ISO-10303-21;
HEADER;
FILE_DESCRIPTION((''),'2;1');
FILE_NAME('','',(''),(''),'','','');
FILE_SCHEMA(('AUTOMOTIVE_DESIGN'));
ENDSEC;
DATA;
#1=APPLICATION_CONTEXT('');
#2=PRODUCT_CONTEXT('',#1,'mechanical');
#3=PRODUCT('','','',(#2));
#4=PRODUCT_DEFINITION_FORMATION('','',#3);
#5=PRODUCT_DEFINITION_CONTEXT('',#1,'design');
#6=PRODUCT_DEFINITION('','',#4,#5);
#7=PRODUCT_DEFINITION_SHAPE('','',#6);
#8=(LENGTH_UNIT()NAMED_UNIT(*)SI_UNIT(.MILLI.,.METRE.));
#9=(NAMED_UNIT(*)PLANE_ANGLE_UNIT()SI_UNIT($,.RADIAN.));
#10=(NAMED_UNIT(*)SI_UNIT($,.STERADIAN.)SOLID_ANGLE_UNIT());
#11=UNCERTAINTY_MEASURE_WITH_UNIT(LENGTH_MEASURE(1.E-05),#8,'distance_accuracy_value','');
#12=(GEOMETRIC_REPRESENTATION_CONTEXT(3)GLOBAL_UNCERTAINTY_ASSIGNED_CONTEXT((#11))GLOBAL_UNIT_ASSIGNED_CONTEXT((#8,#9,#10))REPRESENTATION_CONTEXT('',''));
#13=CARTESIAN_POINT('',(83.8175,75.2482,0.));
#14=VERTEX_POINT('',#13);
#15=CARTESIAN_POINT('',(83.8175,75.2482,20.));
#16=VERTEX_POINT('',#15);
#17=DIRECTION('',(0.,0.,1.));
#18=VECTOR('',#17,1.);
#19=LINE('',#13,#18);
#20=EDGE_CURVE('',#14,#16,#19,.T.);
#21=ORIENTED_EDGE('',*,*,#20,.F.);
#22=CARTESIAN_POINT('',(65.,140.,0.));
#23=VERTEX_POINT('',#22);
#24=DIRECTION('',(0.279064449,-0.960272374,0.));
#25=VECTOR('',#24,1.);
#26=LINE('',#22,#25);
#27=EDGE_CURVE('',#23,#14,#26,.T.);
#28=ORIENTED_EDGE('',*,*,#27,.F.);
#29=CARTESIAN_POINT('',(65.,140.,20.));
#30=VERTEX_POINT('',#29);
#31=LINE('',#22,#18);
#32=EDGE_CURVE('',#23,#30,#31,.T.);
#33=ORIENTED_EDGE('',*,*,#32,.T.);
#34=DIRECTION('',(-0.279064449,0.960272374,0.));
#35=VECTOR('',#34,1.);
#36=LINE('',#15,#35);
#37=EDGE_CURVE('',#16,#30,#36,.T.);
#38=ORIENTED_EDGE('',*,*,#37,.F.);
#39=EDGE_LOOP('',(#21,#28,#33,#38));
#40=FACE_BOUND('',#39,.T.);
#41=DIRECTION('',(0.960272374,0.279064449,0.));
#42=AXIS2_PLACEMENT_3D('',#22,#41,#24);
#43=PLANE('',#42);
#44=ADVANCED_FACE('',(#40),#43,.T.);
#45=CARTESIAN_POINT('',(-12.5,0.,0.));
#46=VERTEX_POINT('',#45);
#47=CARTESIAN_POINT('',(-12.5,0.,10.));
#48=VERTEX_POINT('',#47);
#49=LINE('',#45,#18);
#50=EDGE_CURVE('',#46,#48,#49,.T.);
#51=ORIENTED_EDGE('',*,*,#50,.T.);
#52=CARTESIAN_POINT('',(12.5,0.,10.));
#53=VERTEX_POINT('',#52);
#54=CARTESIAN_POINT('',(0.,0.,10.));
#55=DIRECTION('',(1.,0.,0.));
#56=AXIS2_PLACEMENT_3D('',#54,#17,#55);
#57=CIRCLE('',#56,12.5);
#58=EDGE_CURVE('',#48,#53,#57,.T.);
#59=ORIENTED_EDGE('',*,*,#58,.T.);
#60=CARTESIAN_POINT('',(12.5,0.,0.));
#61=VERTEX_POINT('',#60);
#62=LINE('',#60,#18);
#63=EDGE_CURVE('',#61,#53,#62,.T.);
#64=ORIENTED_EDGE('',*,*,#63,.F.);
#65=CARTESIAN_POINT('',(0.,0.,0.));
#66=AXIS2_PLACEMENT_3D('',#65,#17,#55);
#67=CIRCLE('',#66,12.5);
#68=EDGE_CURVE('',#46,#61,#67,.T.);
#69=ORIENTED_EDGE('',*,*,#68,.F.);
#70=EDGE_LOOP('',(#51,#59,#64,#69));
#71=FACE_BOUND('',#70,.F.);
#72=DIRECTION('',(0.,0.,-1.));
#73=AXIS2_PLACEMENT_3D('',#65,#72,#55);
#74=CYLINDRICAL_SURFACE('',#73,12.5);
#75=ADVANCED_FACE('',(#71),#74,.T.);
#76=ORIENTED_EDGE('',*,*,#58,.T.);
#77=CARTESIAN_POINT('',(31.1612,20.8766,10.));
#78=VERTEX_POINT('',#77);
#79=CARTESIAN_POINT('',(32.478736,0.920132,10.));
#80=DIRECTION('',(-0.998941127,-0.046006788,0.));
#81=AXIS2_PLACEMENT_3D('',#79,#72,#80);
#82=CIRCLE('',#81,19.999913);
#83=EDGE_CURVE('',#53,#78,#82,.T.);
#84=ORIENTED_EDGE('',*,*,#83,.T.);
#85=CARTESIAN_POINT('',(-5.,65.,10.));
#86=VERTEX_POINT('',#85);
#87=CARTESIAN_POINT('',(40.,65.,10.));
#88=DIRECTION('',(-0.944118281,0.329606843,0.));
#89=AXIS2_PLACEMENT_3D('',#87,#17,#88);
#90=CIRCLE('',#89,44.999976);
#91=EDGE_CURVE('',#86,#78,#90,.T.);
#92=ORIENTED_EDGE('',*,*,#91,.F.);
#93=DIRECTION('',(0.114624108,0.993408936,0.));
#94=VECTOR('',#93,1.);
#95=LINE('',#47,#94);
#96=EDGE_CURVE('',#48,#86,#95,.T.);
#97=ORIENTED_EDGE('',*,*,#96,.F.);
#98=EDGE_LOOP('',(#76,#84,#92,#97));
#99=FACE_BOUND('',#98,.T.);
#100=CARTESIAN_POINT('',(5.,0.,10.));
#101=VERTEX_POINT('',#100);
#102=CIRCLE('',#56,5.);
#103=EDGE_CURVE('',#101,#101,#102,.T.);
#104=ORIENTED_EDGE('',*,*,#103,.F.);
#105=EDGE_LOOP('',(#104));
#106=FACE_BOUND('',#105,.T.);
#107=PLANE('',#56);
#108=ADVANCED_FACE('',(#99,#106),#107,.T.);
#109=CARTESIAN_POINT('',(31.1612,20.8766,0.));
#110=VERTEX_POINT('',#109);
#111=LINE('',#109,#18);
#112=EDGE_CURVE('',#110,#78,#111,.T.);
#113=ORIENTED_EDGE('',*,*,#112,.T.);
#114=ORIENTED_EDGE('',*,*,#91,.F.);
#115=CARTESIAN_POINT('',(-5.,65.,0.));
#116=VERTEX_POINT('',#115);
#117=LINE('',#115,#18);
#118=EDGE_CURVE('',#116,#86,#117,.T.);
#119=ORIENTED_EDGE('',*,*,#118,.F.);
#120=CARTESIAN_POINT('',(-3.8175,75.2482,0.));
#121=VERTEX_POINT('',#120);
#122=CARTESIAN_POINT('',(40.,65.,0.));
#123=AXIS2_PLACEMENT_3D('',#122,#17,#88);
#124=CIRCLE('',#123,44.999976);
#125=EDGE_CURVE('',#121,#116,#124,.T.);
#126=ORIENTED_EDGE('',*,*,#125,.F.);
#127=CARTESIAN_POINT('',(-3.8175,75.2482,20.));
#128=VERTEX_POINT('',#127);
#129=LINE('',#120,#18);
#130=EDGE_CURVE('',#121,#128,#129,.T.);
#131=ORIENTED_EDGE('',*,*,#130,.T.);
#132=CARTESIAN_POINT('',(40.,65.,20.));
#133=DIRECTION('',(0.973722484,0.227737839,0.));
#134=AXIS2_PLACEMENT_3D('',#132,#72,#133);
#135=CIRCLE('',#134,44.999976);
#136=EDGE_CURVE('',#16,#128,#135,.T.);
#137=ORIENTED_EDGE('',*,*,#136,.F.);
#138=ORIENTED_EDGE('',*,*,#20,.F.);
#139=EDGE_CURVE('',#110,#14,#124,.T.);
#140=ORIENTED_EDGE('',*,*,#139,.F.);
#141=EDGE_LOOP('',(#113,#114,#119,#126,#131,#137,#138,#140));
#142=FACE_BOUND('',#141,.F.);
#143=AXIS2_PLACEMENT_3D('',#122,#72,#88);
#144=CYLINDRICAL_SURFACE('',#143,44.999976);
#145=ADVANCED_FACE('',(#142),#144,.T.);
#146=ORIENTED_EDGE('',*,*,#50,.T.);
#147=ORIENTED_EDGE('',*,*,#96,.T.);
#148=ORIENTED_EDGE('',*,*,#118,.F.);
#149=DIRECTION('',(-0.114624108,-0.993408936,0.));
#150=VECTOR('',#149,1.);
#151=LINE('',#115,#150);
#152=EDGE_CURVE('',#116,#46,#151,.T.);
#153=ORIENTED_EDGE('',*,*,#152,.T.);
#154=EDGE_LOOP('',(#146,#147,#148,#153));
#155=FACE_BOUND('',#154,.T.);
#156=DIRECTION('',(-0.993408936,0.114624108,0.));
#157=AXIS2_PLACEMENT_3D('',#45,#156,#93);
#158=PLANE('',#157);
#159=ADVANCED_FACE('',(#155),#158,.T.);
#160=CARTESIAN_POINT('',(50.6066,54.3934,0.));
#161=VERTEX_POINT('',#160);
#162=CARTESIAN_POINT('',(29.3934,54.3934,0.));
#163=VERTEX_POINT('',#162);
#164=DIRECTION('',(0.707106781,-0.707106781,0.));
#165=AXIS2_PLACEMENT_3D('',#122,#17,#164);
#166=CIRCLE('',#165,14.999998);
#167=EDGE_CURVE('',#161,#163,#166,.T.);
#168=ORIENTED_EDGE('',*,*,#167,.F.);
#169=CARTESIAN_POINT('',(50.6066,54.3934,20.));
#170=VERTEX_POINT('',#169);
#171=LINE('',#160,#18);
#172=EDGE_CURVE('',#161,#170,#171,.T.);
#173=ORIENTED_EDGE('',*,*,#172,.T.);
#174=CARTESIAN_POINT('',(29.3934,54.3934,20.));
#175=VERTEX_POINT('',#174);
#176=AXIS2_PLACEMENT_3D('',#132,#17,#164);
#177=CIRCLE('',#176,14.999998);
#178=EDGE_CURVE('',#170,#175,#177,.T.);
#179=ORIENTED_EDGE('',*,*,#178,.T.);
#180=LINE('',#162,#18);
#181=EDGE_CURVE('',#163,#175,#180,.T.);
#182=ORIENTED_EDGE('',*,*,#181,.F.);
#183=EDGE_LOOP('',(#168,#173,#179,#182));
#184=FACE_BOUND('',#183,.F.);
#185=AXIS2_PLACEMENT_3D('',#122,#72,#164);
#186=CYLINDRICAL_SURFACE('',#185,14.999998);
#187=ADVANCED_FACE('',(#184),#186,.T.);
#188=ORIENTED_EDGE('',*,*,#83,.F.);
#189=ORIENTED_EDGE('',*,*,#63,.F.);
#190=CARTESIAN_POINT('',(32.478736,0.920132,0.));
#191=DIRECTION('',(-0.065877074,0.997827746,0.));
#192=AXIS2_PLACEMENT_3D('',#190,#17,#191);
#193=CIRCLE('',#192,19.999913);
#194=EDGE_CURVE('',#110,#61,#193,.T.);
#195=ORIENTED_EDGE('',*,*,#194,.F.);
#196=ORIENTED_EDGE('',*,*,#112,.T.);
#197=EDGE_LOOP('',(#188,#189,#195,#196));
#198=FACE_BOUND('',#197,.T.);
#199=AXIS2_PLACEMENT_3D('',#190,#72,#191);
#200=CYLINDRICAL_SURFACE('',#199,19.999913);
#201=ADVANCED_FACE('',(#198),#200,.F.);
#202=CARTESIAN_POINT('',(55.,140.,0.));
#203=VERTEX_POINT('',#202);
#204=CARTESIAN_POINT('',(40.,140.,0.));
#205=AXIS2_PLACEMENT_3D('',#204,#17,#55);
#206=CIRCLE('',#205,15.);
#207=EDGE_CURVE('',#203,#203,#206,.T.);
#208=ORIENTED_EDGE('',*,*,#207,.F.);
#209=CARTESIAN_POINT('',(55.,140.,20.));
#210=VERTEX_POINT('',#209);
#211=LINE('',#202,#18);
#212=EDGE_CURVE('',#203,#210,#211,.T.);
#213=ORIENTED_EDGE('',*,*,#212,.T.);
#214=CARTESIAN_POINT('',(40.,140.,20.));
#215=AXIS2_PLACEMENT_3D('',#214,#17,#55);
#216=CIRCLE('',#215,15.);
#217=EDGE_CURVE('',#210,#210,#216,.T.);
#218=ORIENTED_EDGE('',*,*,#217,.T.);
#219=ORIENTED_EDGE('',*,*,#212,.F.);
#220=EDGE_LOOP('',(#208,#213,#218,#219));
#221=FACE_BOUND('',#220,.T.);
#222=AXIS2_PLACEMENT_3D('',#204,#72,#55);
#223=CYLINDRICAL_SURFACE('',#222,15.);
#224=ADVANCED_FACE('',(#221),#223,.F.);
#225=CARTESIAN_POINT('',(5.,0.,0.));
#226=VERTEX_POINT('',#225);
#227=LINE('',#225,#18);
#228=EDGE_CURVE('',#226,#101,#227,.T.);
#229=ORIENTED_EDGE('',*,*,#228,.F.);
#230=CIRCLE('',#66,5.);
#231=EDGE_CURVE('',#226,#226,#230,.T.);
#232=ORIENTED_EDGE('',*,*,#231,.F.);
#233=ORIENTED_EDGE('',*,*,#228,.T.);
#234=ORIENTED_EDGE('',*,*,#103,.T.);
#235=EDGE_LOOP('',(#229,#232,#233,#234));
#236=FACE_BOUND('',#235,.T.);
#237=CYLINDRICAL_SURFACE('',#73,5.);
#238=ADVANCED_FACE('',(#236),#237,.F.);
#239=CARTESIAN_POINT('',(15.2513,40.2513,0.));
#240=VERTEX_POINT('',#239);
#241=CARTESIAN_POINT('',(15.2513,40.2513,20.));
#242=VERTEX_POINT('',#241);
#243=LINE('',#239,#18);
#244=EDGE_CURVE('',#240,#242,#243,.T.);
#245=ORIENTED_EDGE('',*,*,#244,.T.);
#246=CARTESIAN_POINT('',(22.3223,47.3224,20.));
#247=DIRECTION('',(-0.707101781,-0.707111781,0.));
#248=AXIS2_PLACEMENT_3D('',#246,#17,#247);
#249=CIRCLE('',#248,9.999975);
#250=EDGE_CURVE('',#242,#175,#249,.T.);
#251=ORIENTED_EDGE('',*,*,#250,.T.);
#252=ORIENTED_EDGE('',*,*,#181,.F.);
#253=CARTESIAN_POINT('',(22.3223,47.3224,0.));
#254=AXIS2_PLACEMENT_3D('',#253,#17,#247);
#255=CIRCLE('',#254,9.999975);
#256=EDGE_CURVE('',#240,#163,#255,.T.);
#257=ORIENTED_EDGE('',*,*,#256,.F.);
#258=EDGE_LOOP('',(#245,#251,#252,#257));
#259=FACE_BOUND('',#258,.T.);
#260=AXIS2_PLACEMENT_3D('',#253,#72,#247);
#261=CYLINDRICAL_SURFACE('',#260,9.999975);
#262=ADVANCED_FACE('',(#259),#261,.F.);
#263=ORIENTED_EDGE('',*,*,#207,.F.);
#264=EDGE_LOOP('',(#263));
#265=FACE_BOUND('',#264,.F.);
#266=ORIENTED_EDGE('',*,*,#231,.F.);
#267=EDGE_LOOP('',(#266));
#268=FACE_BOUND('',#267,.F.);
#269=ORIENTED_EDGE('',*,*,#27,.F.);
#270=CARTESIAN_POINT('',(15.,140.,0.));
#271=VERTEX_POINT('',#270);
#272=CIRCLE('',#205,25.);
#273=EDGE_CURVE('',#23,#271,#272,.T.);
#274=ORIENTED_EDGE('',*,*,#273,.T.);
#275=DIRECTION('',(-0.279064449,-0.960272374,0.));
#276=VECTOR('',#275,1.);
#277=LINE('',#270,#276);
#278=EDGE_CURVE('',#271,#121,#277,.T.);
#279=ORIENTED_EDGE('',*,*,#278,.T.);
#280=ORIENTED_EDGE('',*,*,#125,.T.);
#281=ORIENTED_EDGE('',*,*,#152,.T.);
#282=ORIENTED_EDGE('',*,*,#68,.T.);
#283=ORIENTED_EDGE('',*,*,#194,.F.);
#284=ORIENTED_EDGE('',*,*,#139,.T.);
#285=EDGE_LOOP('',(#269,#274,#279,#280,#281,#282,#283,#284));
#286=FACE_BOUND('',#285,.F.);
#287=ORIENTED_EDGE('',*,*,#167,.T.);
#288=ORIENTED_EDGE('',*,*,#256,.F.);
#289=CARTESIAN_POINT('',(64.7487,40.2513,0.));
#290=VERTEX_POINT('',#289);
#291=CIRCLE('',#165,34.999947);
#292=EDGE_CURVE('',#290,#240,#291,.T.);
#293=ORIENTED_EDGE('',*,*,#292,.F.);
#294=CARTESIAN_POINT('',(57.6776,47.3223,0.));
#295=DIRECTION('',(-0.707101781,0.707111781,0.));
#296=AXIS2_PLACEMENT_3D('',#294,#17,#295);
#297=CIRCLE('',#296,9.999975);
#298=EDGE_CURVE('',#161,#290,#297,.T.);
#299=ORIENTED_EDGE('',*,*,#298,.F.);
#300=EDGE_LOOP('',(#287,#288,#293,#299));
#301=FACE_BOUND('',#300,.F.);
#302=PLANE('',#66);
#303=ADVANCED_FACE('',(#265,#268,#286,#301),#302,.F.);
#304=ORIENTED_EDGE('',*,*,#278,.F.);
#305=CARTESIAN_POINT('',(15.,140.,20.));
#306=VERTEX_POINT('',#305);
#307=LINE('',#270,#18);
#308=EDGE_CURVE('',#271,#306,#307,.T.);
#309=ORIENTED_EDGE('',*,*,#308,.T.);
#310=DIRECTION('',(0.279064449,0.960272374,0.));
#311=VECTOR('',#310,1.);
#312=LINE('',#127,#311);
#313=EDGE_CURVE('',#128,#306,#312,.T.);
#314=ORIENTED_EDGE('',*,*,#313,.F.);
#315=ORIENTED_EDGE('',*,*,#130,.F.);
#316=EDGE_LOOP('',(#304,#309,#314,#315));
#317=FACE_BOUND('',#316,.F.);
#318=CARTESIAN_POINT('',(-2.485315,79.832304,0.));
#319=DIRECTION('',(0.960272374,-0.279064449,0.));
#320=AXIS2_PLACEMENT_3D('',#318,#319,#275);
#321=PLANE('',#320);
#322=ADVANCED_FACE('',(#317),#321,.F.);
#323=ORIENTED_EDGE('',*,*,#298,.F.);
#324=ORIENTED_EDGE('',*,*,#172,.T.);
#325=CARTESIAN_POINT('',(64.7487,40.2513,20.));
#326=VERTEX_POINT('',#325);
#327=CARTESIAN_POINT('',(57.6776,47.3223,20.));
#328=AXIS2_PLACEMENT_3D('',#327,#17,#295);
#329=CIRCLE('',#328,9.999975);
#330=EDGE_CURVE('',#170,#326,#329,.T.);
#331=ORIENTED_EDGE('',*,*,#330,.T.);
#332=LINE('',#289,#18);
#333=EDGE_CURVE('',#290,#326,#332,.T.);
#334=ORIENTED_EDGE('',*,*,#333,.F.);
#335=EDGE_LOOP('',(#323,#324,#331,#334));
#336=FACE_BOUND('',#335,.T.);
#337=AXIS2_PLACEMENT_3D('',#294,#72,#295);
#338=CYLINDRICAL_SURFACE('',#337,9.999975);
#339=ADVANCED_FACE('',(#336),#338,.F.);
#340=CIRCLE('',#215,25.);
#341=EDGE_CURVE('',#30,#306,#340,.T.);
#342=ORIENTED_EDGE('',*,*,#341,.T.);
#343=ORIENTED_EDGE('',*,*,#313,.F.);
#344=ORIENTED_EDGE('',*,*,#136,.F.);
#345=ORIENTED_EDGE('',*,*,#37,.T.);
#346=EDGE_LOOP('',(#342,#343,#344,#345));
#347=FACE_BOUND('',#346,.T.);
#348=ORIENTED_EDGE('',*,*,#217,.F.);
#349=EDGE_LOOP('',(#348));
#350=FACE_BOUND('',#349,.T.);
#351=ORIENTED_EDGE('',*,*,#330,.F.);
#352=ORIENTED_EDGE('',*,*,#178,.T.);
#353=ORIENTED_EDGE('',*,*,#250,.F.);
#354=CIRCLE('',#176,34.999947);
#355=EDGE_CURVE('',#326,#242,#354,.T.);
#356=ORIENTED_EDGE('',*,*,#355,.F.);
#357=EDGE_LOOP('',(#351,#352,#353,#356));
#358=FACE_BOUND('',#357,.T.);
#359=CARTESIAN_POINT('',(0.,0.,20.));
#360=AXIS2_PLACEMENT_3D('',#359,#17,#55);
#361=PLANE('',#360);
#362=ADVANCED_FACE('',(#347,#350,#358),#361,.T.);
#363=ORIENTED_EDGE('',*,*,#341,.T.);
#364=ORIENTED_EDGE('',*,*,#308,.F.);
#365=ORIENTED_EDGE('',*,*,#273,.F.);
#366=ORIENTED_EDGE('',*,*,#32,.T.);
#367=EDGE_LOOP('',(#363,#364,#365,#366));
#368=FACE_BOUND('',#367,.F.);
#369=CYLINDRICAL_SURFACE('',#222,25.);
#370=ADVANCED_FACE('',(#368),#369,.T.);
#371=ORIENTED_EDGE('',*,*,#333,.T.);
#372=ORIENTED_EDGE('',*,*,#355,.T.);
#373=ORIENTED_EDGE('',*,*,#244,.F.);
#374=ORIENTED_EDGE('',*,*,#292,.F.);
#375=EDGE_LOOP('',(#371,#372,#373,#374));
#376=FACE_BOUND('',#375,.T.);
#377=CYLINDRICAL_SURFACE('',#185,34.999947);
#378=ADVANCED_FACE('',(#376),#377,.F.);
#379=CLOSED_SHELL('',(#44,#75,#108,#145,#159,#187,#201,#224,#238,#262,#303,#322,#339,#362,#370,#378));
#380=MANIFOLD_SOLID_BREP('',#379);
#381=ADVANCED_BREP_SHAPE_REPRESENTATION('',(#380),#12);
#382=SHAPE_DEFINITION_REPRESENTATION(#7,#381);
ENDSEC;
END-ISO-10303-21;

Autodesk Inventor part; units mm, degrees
ref_plane "YZ Plane" through (0, 0, 0) normal (1, 0, 0) x (0, 1, 0)
ref_plane "XZ Plane" through (0, 0, 0) normal (0, 1, 0) x (-1, 0, 0)
ref_plane "XY Plane" through (0, 0, 0) normal (0, 0, 1) x (1, 0, 0)
sketch "Эскиз1" plane through (0, 0, 0) normal (0, 0, 1) x (1, 0, 0)
  circle A0 centre (0, 0) radius 5
  circle A1 centre (0, 0) radius 12.5
  arc A2 (-2.4853, 79.8323) -> (82.4853, 79.8323) centre (40, 65) ccw
  arc A3 (57.6777, 47.3223) -> (22.3223, 47.3223) centre (40, 65) ccw construction
  arc A4 (64.7487, 40.2513) -> (15.2513, 40.2513) centre (40, 65) ccw
  arc A5 (50.6066, 54.3934) -> (29.3934, 54.3934) centre (40, 65) ccw
  arc A6 (50.6066, 54.3934) -> (64.7487, 40.2513) centre (57.6777, 47.3223) ccw
  arc A7 (15.2513, 40.2513) -> (29.3934, 54.3934) centre (22.3223, 47.3223) ccw
  line L0 (40, 65) -> (57.6777, 47.3223) construction
  line L1 (40, 65) -> (65, 65) construction
  line L2 (40, 65) -> (22.3223, 47.3223) construction
  line L3 (-12.5, 0) -> (-5, 65)
  circle A8 centre (40, 140) radius 15
  arc A9 (65, 140) -> (15, 140) centre (40, 140) ccw
  line L4 (15, 140) -> (-3.8175, 75.2482)
  line L5 (65, 140) -> (83.8175, 75.2482)
  arc A10 (31.1612, 20.8766) -> (12.5, 0) centre (32.4788, 0.92) ccw
  dimension "d0" = 10
  dimension "d1" = 25
  dimension "d2" = 90
  dimension "d4" = 25
  dimension "d5" = 45
  dimension "d6" = 90
  dimension "d7" = 20
  dimension "d9" = 30
  dimension "d10" = 50
  dimension "d11" = 20
  dimension "d24" = 73.796
  dimension "d25" = 32.409
  dimension "d26" = 22.786
  dimension "d27" = 101.4868
  dimension "d28" = 65
  dimension "d29" = 74.2462
  dimension "d30" = 24.665
  dimension "d31" = 12.4176
  dimension "d32" = 75
  dimension "d33" = 24.0068
  dimension "d34" = 70.0415
  dimension "d35" = 64.0799
extrude "Выдавливание1" add sketch "Эскиз1" along normal blind 10 contours L3 A1 A10 | L3 A2 A10 A1
extrude "Выдавливание2" add sketch "Эскиз1" along normal blind 20 contours A2 L4 A9 L5
properties part number "LR3_2"
